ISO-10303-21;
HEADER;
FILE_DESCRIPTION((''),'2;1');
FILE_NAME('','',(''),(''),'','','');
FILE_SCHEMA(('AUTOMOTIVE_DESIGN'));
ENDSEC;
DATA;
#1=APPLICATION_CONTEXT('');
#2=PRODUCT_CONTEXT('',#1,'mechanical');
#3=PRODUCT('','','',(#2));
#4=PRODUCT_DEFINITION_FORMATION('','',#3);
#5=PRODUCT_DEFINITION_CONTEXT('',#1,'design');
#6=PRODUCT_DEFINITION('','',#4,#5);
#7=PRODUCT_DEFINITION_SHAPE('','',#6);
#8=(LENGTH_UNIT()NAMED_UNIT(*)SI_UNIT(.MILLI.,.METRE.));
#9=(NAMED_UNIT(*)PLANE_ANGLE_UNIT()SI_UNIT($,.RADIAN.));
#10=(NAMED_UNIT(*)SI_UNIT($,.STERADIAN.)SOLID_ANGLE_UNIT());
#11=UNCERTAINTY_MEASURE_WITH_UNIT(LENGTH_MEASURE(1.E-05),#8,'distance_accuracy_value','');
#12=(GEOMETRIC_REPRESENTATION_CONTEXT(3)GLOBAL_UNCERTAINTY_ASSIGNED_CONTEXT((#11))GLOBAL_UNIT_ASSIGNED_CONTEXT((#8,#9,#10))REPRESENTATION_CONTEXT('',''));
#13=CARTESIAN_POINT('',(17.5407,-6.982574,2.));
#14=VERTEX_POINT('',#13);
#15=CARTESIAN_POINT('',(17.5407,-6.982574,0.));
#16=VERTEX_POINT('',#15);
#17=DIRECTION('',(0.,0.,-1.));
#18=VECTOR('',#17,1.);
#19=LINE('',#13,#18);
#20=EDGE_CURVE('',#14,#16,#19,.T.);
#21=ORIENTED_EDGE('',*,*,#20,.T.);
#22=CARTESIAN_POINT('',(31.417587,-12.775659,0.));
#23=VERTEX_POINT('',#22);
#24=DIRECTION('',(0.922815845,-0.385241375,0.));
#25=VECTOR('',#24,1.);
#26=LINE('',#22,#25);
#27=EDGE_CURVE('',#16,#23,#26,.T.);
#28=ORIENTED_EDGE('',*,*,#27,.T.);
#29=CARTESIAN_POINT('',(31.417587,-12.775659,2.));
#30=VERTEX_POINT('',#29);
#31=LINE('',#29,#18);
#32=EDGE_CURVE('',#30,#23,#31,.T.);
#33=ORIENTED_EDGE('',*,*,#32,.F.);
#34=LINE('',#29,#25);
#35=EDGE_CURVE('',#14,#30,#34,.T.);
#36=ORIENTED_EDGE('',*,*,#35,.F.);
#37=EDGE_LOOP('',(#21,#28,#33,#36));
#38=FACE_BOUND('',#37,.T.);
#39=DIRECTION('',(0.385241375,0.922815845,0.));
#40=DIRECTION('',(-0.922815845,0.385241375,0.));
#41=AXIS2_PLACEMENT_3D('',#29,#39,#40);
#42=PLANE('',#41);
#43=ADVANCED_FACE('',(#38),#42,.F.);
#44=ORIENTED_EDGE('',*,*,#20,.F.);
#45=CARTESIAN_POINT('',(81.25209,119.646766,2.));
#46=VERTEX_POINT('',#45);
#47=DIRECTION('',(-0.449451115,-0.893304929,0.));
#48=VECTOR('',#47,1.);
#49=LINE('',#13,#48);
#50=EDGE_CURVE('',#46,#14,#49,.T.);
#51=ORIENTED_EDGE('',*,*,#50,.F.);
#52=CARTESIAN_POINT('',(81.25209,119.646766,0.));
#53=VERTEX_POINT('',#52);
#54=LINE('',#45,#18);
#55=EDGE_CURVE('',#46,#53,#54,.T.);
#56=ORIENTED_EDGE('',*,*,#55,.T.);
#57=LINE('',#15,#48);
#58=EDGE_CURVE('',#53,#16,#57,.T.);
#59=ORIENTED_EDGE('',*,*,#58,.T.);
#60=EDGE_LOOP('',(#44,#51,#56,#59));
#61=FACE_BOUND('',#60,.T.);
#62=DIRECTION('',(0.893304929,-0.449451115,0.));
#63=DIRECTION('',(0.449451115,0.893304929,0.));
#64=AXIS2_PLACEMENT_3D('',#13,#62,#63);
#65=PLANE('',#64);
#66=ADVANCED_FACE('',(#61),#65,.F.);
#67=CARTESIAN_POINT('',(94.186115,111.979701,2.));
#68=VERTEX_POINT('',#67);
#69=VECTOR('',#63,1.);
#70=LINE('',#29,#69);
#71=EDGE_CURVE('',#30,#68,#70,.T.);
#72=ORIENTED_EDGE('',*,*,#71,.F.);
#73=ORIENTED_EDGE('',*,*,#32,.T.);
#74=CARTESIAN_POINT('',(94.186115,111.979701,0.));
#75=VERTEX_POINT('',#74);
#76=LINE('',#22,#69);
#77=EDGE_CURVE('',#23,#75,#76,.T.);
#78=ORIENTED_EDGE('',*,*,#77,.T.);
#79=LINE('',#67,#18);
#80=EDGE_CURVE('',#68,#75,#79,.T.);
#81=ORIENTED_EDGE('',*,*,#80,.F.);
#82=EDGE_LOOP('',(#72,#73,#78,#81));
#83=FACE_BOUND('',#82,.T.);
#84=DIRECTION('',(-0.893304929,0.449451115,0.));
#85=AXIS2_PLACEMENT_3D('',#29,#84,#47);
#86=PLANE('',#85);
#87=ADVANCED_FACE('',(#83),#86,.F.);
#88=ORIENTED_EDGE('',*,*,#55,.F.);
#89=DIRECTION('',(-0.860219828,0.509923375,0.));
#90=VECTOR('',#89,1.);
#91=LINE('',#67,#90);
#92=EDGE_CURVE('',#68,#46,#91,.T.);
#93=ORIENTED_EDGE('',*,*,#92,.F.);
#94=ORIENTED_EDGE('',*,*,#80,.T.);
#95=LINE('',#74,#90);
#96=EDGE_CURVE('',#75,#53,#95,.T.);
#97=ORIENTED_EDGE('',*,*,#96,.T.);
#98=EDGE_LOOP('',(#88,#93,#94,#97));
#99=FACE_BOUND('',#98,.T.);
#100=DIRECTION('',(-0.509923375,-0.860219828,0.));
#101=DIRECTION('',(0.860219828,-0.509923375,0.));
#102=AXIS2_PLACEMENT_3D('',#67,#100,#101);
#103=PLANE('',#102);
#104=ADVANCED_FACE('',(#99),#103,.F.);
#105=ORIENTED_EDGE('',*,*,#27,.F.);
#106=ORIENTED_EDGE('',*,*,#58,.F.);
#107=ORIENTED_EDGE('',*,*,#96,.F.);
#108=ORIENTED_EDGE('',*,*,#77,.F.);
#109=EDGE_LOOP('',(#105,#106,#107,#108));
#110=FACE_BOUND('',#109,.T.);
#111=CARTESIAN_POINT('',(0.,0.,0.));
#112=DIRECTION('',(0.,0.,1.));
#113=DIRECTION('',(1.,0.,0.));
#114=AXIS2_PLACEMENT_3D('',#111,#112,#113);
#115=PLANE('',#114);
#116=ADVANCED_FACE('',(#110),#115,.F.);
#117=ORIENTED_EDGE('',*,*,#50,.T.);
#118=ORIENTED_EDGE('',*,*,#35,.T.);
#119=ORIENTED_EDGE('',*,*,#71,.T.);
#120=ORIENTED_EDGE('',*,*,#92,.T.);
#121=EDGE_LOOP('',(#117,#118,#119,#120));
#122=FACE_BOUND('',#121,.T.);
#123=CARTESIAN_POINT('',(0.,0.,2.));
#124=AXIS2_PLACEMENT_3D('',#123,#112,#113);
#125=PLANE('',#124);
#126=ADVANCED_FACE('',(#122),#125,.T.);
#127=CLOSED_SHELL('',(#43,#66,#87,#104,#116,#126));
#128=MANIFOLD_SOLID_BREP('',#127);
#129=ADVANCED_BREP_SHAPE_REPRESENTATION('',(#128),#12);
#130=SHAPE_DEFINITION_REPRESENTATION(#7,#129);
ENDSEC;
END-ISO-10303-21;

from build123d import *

# Parameters (mm, degrees)
BOSS_EXTRUDE1_DEPTH = 2


with BuildPart() as part:
    # Sketch1 → Boss-Extrude1 (new body)
    with BuildSketch(Plane.XY):
        Polygon((31.417587204, -12.775658975), (17.540700438, -6.982573646), (81.252089689, 119.646766322), (94.186115232, 111.979700601), align=None)
    extrude(amount=BOSS_EXTRUDE1_DEPTH)


solid = part.part
